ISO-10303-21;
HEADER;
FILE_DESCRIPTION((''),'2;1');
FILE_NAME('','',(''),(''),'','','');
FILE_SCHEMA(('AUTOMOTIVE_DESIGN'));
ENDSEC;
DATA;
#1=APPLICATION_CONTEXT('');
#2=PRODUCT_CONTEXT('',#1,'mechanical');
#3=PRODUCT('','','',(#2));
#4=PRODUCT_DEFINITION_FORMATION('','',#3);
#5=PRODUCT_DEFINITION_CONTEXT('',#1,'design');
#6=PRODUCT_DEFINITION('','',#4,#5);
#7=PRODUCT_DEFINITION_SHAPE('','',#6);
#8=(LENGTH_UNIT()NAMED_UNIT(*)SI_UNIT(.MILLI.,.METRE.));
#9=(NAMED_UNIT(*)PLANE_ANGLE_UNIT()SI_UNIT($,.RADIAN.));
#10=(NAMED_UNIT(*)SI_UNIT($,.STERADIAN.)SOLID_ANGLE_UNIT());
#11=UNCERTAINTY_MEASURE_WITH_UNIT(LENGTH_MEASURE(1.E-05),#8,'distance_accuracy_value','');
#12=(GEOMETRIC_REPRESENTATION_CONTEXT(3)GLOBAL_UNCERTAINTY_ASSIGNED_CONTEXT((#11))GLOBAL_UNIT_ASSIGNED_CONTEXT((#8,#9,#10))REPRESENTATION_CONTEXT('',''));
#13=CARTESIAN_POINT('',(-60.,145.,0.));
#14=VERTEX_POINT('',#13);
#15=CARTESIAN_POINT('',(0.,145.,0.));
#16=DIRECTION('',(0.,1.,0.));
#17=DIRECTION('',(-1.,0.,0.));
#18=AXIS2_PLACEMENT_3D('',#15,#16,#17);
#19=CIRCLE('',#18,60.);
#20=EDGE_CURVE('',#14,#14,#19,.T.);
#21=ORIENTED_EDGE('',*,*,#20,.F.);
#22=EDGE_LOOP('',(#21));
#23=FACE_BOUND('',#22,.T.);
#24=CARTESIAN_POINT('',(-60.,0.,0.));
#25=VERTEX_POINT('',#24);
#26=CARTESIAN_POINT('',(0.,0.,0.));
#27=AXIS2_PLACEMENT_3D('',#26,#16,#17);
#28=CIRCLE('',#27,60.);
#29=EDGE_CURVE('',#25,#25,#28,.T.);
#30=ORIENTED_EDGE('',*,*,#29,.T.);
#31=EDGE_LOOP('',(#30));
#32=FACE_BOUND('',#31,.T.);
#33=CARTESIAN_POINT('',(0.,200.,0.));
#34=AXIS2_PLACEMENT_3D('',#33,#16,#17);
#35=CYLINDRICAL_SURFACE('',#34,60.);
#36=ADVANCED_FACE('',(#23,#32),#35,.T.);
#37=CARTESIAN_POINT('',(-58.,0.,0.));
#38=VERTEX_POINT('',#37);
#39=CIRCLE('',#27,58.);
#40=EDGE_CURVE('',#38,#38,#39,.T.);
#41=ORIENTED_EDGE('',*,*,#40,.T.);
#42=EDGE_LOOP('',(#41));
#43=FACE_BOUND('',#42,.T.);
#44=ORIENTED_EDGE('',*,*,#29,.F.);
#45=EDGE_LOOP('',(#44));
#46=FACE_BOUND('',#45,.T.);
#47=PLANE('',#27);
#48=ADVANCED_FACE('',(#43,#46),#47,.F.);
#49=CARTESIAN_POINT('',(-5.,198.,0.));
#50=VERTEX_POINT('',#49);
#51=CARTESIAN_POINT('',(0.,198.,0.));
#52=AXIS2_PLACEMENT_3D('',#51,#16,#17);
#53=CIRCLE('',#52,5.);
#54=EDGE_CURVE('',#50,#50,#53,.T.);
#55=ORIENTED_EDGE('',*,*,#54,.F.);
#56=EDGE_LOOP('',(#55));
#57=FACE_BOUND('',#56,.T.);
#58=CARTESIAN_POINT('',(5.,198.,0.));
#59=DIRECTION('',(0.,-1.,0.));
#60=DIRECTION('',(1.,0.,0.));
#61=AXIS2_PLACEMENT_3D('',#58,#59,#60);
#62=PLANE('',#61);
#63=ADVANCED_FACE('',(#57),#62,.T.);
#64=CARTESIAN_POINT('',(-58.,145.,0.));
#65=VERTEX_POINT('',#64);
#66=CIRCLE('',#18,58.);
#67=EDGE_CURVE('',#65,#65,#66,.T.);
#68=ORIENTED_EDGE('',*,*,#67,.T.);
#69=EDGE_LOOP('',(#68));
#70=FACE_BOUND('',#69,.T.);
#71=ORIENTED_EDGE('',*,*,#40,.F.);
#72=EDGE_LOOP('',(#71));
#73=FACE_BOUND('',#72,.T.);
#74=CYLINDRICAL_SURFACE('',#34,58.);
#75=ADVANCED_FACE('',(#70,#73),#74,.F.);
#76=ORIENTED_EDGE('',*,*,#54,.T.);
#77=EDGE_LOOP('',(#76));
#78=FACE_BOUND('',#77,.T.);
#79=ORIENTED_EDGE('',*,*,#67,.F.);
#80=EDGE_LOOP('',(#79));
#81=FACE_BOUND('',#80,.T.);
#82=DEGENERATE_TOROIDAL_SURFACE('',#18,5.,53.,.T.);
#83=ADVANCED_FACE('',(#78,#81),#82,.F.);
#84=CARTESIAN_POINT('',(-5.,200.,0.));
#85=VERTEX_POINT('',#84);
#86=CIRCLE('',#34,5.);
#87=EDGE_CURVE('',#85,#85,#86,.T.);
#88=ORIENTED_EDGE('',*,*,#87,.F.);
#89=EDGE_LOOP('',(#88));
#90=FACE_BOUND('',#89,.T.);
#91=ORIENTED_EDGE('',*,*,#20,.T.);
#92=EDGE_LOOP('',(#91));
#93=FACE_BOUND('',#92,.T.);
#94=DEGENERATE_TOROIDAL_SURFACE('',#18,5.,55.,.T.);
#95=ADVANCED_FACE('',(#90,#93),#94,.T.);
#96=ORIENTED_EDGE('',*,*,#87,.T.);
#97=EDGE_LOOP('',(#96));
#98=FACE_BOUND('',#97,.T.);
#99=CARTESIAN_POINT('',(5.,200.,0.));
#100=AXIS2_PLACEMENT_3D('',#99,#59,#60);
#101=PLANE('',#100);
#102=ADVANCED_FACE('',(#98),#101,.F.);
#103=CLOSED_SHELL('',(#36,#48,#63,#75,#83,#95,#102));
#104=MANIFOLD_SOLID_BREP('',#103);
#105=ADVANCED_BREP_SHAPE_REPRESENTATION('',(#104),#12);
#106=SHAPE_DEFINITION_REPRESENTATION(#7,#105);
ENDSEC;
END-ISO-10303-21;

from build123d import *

# Parameters (mm, degrees)
SHELL1_T = -2


with BuildPart() as part:
    # Sketch1 → Revolve1 (revolve)
    with BuildSketch(Plane.XY, mode=Mode.PRIVATE) as revolve1_sk:
        with BuildLine():
            Line((0, 0), (60, 0))
            Line((60, 0), (60, 145))
            ThreePointArc((60, 145), (43.890872965, 183.890872965), (5, 200))
            Line((5, 200), (0, 200))
            Line((0, 200), (0, 0))
        make_face()
    revolve(revolve1_sk.sketch.rotate(Axis((0, 200, 0), (0, -1, 0)), 180), axis=Axis((0, 200, 0), (0, -1, 0)))

    # Shell1
    shell1_openings = [part.faces().sort_by_distance(p)[0] for p in [
        (0, 0, 0),
    ]]
    offset(amount=SHELL1_T, openings=shell1_openings, kind=Kind.INTERSECTION)


solid = part.part
